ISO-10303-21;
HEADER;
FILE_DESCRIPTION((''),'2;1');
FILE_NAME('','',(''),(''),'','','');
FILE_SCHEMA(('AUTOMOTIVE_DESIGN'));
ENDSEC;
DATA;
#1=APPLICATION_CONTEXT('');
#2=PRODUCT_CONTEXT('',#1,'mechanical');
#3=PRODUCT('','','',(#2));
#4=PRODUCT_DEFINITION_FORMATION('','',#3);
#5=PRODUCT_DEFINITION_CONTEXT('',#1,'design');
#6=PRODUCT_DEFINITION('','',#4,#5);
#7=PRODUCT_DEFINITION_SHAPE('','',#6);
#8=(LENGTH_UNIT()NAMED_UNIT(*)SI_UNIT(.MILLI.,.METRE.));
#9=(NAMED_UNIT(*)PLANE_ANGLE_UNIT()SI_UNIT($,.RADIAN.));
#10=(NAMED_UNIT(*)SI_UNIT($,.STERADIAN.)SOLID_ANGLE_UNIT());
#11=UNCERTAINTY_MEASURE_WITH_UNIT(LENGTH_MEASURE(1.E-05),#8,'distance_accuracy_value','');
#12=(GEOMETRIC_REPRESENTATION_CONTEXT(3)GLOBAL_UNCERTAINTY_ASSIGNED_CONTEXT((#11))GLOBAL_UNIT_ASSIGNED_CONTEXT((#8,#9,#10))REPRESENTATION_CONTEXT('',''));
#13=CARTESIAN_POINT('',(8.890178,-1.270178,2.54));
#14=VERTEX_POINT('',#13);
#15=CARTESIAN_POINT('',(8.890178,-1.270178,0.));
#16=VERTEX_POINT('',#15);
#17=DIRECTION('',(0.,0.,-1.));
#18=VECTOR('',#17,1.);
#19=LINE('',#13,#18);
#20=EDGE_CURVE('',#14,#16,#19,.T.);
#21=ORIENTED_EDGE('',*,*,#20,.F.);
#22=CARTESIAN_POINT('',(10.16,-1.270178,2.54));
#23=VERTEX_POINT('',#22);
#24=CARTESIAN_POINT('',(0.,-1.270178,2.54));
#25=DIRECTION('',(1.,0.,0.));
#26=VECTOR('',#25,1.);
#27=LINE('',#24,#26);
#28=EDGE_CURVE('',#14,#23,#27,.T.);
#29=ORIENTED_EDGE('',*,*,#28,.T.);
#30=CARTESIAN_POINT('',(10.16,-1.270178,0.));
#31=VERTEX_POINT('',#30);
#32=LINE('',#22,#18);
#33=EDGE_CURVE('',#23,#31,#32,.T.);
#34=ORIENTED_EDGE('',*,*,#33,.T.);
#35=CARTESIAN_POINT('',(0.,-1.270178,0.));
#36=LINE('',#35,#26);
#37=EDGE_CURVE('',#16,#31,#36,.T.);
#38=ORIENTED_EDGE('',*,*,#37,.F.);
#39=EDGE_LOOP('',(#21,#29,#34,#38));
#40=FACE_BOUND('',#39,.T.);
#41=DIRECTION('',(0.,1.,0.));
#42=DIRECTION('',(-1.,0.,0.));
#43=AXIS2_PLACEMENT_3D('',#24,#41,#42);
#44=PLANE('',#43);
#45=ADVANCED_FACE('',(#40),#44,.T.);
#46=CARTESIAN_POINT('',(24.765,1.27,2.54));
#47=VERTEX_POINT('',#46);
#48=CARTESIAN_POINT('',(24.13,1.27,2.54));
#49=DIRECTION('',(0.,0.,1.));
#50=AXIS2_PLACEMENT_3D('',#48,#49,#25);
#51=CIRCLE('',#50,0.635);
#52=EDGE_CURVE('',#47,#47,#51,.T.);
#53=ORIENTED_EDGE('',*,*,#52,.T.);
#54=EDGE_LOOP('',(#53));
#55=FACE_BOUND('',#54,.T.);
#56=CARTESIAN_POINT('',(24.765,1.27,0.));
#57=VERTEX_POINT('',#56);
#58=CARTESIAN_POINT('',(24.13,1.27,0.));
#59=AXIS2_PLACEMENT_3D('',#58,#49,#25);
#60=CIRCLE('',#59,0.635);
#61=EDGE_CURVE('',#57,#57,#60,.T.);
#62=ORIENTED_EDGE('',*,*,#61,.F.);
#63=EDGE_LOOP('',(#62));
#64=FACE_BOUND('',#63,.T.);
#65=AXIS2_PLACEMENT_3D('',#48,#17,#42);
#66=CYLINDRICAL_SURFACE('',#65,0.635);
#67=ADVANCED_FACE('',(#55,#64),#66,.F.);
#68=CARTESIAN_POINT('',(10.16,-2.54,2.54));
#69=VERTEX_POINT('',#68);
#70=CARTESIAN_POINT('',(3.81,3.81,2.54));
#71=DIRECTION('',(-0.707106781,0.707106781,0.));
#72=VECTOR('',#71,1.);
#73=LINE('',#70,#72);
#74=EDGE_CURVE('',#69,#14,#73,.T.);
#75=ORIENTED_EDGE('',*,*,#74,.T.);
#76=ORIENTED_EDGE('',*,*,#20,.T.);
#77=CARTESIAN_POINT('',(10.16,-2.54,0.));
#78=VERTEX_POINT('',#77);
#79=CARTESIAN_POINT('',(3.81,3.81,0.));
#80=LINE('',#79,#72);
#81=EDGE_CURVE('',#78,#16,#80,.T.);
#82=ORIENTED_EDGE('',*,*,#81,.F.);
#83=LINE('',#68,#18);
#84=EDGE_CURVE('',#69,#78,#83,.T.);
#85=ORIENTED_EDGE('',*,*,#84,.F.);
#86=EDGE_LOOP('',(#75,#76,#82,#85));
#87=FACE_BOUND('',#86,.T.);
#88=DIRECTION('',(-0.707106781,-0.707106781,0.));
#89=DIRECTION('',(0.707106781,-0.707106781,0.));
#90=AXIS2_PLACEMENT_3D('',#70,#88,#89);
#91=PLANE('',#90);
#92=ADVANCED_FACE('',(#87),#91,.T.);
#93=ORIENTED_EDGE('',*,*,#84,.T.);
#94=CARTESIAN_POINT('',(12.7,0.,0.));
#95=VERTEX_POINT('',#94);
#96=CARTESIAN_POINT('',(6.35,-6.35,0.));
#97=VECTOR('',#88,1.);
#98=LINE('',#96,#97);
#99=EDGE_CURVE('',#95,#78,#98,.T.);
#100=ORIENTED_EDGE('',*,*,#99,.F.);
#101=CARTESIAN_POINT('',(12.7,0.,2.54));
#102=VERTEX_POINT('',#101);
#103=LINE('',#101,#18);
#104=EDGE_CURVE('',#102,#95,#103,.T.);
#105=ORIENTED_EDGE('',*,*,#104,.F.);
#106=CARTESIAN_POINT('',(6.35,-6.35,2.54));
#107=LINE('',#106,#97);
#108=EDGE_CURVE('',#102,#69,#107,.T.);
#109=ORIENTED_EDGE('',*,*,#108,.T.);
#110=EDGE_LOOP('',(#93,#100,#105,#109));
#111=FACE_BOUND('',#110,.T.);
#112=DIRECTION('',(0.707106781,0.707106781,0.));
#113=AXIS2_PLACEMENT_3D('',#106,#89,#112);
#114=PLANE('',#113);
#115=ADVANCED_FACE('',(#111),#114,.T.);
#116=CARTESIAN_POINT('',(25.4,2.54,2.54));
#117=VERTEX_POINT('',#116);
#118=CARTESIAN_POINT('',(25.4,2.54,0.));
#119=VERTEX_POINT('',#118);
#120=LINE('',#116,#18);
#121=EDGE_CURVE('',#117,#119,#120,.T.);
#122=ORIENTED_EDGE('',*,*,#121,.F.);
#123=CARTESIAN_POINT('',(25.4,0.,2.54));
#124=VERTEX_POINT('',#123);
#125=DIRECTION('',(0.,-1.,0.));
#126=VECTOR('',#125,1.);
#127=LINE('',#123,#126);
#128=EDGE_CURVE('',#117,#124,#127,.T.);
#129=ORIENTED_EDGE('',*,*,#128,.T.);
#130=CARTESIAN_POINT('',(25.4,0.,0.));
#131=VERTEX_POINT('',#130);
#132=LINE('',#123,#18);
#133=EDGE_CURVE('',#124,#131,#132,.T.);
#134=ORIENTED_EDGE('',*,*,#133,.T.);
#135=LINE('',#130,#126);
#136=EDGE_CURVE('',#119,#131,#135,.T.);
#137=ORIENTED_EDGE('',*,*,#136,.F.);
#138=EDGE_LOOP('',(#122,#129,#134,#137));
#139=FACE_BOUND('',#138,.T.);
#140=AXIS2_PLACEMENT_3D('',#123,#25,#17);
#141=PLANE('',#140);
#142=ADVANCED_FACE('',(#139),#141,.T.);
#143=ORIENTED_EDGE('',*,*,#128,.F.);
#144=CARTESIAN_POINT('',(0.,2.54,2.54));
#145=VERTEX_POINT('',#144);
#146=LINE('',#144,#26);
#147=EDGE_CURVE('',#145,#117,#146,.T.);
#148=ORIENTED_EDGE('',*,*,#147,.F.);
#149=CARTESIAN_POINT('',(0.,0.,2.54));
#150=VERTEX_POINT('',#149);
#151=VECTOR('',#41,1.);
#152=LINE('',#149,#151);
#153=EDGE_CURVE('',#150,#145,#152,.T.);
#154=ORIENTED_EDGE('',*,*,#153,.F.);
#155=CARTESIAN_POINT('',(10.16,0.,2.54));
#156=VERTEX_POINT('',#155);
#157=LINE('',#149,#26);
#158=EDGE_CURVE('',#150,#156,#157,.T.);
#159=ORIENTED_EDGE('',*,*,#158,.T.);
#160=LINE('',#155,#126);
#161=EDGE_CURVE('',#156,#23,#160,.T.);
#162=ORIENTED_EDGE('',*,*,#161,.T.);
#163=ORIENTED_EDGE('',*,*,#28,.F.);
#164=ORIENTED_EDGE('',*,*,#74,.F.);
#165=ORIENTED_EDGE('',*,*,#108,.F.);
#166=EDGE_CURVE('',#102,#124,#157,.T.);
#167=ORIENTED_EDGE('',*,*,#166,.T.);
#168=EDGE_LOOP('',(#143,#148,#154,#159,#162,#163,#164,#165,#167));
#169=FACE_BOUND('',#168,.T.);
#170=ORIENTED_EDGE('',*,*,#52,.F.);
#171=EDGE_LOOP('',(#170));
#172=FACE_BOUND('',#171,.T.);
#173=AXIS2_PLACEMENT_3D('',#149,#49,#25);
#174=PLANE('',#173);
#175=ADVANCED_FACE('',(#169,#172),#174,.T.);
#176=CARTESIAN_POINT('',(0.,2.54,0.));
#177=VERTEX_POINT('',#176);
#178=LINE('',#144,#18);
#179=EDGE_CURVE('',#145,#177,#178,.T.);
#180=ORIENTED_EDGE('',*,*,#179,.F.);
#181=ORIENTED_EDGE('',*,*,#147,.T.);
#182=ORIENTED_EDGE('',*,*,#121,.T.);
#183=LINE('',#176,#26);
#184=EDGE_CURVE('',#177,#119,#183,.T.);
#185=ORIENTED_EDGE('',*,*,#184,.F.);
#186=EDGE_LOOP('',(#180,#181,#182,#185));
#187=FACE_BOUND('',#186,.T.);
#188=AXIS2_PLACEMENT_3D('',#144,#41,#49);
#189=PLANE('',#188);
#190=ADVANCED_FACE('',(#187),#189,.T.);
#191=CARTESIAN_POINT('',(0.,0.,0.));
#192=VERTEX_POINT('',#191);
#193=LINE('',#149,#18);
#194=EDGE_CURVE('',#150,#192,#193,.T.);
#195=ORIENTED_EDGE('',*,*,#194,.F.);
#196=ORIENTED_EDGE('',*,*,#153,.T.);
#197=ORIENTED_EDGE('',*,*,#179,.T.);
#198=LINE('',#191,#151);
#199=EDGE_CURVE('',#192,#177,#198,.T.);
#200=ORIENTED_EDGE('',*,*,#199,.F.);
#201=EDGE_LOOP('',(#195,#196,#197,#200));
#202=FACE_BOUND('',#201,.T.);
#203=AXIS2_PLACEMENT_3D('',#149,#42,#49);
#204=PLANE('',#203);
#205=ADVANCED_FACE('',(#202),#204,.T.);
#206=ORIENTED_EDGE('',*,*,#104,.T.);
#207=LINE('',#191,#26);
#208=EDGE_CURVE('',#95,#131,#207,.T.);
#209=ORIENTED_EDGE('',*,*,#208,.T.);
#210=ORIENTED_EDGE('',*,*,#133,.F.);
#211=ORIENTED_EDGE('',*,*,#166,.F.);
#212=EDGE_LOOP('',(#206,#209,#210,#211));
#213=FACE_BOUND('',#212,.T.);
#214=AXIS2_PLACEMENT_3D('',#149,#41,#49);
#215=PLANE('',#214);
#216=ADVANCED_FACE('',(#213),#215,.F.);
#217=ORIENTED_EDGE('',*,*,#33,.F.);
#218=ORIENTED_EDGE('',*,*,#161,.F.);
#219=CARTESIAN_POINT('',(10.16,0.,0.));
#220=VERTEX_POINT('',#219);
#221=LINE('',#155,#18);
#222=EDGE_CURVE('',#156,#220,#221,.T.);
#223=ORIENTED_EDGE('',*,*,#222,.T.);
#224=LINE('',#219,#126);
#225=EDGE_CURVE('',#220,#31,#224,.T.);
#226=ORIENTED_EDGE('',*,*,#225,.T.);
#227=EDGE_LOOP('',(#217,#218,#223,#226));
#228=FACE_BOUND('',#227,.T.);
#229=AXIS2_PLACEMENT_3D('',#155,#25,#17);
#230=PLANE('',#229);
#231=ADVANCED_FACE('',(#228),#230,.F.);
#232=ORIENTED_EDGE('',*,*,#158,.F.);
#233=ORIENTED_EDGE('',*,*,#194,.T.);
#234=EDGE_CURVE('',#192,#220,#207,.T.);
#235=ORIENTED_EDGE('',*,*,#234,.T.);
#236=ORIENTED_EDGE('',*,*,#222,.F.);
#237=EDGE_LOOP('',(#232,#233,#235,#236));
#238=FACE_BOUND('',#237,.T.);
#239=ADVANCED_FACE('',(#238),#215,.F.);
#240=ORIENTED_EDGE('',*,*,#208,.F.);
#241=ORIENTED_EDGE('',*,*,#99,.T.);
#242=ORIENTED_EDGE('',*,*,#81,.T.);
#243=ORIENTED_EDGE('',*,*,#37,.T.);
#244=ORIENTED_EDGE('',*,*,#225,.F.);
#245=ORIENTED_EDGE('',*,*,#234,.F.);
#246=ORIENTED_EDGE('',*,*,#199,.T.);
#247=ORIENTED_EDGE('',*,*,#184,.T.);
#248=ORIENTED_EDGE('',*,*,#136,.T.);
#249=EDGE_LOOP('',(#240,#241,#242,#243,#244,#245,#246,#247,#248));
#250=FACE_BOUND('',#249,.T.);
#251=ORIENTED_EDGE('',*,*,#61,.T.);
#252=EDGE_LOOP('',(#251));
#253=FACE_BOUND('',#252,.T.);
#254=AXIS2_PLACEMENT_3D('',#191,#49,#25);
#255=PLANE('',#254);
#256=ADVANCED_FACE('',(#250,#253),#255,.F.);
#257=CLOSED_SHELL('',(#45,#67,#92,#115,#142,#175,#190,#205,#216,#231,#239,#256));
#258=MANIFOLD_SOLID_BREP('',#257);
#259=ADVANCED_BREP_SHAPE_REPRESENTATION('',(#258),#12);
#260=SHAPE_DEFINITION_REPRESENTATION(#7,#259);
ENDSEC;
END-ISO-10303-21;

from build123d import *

# Parameters (mm, degrees)
SKETCH1_R           = 0.635
BOSS_EXTRUDE1_DEPTH = 2.54


with BuildPart() as part:
    # Sketch1 → Boss-Extrude1 (new body)
    with BuildSketch(Plane.XY):
        Polygon((10.16, -2.54), (12.7, 0), (25.4, 0), (25.4, 2.54), (0, 2.54), (0, 0), (10.16, 0), (10.16, -1.270178495), (8.890178495, -1.270178495), align=None)
        with Locations((24.13, 1.27)):
            Circle(SKETCH1_R, mode=Mode.SUBTRACT)
    extrude(amount=BOSS_EXTRUDE1_DEPTH)


solid = part.part
